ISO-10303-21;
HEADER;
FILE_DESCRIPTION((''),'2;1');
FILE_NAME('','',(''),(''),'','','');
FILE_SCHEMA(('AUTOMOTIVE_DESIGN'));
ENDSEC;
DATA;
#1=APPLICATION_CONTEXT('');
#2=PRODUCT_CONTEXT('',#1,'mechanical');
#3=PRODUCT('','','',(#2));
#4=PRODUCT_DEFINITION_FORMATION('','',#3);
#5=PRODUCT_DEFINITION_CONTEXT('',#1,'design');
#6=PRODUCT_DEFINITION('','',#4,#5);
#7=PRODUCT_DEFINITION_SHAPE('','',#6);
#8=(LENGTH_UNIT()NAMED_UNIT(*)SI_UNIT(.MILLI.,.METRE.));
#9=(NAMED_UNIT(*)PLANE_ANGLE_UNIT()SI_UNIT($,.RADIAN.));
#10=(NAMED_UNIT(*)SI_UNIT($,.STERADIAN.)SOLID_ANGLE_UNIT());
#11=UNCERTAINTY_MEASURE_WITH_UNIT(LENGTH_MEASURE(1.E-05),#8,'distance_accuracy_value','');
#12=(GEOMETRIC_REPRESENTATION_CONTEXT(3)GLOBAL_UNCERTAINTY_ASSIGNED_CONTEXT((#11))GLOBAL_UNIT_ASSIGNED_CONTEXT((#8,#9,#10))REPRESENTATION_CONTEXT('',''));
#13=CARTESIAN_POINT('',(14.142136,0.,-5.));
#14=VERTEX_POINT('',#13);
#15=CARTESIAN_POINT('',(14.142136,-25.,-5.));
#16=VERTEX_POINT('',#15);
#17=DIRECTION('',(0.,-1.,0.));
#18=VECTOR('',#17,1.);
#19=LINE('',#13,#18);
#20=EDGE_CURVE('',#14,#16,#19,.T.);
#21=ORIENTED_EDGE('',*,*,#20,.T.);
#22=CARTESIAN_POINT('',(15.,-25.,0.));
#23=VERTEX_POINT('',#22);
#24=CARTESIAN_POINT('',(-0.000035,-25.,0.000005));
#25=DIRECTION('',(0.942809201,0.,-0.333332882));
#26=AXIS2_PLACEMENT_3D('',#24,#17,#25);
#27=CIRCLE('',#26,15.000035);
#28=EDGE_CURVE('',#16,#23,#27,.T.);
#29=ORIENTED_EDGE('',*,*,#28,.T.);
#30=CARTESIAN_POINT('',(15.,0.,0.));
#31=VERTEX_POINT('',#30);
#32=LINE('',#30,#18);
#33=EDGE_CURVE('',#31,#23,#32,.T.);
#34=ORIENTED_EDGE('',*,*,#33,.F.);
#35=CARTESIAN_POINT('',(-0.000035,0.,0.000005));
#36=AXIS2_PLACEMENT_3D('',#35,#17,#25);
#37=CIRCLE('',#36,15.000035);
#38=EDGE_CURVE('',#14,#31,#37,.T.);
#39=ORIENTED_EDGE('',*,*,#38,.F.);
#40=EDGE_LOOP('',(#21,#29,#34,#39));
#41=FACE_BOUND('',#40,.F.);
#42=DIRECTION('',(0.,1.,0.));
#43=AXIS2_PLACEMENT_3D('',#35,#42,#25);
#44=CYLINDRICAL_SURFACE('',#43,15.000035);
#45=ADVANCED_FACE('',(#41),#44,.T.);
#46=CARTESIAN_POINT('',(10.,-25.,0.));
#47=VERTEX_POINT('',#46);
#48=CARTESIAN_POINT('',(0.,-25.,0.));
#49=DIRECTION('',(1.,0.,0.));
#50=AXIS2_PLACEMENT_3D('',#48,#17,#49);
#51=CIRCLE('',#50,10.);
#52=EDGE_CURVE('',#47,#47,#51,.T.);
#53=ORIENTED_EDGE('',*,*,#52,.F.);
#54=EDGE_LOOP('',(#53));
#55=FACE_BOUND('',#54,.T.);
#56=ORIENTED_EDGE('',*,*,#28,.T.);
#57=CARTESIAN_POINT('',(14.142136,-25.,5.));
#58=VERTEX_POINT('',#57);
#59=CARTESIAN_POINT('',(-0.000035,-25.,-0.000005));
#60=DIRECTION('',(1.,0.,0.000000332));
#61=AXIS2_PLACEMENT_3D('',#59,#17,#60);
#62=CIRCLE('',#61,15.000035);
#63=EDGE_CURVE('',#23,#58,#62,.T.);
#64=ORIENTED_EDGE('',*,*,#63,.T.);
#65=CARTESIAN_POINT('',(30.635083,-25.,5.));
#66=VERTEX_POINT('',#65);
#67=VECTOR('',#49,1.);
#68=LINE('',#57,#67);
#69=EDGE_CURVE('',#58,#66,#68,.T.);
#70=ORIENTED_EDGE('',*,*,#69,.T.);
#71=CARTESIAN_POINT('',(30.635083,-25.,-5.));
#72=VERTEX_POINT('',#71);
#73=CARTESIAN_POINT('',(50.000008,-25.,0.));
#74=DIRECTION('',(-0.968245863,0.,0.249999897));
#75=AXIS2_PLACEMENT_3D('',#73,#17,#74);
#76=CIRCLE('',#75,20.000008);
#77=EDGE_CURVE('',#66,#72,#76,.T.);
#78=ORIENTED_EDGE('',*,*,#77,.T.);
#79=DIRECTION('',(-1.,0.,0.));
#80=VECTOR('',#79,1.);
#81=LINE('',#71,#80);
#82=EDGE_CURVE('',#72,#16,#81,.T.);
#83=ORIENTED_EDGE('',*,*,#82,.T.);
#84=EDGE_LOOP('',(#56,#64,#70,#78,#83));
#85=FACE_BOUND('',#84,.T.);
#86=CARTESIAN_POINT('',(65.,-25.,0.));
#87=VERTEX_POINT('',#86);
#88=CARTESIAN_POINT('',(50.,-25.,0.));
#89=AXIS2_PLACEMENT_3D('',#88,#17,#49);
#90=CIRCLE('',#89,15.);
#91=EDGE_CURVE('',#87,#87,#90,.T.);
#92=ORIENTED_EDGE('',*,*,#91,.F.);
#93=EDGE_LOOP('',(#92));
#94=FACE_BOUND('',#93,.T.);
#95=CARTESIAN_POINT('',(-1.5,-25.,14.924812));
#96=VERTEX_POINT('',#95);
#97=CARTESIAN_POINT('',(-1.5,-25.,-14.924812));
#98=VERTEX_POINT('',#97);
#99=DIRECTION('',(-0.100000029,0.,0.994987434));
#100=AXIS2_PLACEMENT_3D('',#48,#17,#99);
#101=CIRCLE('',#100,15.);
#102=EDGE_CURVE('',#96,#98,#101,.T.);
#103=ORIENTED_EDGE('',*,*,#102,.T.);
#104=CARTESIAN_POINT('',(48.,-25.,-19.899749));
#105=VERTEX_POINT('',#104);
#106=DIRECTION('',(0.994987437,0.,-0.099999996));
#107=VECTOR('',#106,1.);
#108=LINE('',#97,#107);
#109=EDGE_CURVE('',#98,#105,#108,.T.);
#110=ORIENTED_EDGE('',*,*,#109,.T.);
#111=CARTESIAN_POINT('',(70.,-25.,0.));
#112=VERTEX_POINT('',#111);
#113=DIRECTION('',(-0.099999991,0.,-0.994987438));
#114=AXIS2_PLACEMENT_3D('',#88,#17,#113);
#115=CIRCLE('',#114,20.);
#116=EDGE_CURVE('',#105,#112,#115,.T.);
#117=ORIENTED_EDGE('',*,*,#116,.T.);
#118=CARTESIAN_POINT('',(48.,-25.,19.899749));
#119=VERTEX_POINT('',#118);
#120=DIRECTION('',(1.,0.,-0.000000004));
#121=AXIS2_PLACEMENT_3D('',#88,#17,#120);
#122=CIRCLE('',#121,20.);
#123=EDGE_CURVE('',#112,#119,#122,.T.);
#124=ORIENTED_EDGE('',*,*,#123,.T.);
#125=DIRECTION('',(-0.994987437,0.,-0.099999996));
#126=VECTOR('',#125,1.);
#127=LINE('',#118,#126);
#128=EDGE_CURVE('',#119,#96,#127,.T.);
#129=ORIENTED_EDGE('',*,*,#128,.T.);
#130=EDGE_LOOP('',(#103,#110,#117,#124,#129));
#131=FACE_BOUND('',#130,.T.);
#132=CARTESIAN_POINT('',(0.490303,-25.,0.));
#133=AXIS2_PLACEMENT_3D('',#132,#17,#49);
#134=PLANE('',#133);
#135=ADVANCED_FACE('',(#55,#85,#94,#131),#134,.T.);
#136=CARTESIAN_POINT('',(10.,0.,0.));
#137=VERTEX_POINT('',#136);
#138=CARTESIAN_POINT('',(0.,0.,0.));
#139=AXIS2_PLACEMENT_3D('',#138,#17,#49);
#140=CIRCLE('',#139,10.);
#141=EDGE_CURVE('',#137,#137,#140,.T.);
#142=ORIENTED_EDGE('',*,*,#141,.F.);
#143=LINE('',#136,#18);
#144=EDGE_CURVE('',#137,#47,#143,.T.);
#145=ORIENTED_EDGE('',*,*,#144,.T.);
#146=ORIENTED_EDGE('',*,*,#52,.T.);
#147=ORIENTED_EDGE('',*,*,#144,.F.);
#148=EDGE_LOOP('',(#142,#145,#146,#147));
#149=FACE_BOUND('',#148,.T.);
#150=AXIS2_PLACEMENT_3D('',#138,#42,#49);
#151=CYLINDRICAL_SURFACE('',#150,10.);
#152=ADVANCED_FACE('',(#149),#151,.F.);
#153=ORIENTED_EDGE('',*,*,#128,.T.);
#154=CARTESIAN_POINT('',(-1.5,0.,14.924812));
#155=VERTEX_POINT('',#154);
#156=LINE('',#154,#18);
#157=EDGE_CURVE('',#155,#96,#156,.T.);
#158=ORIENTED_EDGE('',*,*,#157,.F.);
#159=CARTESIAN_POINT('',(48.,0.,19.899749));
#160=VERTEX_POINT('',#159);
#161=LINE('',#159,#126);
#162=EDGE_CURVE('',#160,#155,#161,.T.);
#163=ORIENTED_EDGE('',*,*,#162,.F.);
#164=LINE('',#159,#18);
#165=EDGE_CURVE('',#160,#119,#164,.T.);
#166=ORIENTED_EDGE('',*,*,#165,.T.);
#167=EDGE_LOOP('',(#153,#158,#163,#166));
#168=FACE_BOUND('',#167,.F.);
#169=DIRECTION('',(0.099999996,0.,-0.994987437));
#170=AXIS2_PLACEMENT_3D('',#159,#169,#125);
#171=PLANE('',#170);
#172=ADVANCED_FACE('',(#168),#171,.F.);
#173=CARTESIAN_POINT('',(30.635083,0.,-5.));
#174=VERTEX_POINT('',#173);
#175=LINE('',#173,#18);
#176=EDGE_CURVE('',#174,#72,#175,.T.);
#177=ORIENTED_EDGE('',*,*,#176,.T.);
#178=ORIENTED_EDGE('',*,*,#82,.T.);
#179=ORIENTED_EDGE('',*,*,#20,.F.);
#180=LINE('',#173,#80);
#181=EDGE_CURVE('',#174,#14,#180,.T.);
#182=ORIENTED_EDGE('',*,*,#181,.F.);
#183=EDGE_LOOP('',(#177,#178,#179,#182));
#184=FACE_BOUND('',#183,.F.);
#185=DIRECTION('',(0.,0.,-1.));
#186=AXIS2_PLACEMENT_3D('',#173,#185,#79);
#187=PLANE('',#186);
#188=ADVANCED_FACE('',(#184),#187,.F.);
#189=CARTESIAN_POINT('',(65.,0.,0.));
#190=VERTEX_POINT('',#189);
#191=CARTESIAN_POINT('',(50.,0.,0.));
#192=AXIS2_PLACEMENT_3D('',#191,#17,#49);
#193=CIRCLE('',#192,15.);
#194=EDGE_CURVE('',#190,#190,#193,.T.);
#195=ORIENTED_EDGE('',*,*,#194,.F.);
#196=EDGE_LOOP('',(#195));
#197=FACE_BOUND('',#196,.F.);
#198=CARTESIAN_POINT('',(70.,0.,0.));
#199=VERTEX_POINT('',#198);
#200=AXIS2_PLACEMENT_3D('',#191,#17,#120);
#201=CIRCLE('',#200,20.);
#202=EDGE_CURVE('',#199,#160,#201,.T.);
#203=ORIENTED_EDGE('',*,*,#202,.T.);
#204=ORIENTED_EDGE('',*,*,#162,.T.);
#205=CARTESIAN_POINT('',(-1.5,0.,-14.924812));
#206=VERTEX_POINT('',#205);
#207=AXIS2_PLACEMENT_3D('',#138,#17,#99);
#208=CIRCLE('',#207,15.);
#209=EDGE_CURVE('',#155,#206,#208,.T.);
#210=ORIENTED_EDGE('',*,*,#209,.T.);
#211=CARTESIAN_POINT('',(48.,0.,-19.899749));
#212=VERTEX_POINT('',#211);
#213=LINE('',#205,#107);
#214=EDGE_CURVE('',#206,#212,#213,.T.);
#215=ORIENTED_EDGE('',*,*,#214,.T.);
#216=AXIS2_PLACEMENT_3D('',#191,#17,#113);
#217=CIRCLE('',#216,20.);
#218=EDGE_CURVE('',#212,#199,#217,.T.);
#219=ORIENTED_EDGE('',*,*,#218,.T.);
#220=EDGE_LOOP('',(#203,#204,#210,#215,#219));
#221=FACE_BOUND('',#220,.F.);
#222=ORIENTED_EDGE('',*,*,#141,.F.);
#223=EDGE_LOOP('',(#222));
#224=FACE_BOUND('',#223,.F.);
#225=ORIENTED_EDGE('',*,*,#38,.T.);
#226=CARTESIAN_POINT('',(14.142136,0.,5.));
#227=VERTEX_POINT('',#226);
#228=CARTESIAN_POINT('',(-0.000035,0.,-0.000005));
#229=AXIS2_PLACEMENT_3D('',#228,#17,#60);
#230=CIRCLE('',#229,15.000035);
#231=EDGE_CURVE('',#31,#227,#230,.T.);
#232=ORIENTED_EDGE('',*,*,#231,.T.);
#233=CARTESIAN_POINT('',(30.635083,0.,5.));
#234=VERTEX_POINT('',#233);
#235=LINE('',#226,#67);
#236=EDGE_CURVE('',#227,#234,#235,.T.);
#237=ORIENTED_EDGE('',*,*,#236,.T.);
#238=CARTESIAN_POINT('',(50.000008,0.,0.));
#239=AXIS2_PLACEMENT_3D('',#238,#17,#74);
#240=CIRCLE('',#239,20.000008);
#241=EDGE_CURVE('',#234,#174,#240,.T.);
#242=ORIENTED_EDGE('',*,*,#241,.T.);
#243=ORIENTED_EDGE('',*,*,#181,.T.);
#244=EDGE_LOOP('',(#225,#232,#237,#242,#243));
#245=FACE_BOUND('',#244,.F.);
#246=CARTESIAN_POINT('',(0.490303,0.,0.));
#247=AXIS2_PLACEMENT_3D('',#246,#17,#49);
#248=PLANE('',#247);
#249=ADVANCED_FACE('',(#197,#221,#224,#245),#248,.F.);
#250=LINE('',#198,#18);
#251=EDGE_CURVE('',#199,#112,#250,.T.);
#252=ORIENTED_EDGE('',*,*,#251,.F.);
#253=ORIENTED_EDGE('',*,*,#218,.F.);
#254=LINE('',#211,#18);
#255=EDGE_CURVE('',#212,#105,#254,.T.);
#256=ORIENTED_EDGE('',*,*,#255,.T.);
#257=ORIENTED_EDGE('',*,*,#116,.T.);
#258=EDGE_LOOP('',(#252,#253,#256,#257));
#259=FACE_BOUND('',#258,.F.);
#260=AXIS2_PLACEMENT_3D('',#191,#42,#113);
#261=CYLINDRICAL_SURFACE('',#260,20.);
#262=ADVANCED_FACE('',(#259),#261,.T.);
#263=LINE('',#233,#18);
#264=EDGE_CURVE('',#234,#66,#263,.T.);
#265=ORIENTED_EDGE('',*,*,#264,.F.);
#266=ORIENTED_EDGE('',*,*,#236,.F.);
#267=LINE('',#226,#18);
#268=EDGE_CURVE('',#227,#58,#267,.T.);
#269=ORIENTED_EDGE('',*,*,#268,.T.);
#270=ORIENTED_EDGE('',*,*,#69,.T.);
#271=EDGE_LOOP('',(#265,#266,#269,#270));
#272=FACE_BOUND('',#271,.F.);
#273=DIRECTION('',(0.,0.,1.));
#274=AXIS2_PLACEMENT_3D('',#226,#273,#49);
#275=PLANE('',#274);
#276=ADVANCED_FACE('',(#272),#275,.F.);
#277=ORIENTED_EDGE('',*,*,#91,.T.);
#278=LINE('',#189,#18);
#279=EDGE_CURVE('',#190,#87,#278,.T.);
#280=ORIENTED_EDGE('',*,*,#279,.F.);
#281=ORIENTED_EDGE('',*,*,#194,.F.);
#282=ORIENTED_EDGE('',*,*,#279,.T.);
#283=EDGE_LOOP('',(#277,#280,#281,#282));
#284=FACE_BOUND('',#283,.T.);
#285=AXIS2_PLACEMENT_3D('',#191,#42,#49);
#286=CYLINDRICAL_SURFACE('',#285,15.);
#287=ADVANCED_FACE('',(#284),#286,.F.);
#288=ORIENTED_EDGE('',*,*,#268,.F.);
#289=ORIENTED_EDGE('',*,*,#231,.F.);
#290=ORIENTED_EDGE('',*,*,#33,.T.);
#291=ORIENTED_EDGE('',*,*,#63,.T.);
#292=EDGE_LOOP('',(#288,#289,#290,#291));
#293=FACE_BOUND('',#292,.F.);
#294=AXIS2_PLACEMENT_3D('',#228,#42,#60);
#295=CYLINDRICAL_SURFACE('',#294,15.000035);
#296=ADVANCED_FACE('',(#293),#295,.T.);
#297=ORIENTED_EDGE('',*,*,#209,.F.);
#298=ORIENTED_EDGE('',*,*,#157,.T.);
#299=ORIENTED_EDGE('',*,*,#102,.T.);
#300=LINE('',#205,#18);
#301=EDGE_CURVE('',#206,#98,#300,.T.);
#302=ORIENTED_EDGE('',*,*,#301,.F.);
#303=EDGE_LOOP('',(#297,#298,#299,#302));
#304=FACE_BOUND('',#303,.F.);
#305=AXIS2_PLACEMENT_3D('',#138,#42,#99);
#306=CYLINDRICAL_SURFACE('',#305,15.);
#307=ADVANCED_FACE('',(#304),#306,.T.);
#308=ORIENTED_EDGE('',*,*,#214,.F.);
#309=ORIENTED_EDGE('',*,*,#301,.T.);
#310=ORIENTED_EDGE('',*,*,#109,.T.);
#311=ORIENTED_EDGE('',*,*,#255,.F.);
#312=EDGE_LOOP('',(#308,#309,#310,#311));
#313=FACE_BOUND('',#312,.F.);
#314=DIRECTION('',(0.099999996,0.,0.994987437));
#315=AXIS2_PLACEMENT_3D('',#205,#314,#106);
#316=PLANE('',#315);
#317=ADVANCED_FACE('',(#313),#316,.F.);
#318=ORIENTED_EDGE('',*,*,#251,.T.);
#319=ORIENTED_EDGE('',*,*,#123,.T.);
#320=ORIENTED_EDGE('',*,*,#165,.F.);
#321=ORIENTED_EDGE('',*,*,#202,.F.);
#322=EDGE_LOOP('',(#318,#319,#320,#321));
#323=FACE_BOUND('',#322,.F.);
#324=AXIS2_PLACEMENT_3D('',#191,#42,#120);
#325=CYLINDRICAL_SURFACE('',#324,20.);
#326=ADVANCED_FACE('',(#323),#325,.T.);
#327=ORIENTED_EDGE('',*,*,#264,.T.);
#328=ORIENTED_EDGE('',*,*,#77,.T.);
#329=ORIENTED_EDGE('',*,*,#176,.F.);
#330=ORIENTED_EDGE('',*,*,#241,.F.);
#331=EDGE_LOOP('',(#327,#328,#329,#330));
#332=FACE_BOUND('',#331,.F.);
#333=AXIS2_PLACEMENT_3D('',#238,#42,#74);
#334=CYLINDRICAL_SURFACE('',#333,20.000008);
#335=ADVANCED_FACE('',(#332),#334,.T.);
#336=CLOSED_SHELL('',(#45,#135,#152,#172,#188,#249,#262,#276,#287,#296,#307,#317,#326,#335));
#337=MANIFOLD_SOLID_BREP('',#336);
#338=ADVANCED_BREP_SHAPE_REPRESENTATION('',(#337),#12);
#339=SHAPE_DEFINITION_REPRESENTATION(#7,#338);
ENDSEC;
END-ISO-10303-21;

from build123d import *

# Parameters (mm, degrees)
F0_R     = 10
F0_R_2   = 15
F1_DEPTH = 25


with BuildPart() as f1:
    # F0 (on Front) → F1 (new body)
    with BuildSketch(Plane.XZ):
        with BuildLine():
            ThreePointArc((14.142136, -5), (14.783978, -2.53653), (15, 0))
            ThreePointArc((15, 0), (14.783978, 2.53653), (14.142136, 5))
            ThreePointArc((14.142136, 5), (8.036253, 12.665648), (-1.5, 14.924812))
            ThreePointArc((-1.5, 14.924812), (-15, 0), (-1.5, -14.924812))
            ThreePointArc((-1.5, -14.924812), (8.036253, -12.665648), (14.142136, -5))
        make_face()
        Circle(F0_R, mode=Mode.SUBTRACT)
        with BuildLine():
            ThreePointArc((-1.5, 14.924812), (8.036253, 12.665648), (14.142136, 5))
            Line((14.142136, 5), (30.635083, 5))
            ThreePointArc((30.635083, 5), (36.976347, 15.178421), (48, 19.899749))
            Line((48, 19.899749), (-1.5, 14.924812))
        make_face()
        with BuildLine():
            Line((30.635083, -5), (14.142136, -5))
            ThreePointArc((14.142136, -5), (8.036253, -12.665648), (-1.5, -14.924812))
            Line((-1.5, -14.924812), (48, -19.899749))
            ThreePointArc((48, -19.899749), (36.976347, -15.178421), (30.635083, -5))
        make_face()
        with BuildLine():
            ThreePointArc((48, 19.899749), (36.976347, 15.178421), (30.635083, 5))
            ThreePointArc((30.635083, 5), (30, 0), (30.635083, -5))
            ThreePointArc((30.635083, -5), (36.976347, -15.178421), (48, -19.899749))
            ThreePointArc((48, -19.899749), (63.416408, -14.832397), (70, 0))
            ThreePointArc((70, 0), (63.416408, 14.832397), (48, 19.899749))
        make_face()
        with Locations((50, 0)):
            Circle(F0_R_2, mode=Mode.SUBTRACT)
    extrude(amount=F1_DEPTH)


solid = f1.part
